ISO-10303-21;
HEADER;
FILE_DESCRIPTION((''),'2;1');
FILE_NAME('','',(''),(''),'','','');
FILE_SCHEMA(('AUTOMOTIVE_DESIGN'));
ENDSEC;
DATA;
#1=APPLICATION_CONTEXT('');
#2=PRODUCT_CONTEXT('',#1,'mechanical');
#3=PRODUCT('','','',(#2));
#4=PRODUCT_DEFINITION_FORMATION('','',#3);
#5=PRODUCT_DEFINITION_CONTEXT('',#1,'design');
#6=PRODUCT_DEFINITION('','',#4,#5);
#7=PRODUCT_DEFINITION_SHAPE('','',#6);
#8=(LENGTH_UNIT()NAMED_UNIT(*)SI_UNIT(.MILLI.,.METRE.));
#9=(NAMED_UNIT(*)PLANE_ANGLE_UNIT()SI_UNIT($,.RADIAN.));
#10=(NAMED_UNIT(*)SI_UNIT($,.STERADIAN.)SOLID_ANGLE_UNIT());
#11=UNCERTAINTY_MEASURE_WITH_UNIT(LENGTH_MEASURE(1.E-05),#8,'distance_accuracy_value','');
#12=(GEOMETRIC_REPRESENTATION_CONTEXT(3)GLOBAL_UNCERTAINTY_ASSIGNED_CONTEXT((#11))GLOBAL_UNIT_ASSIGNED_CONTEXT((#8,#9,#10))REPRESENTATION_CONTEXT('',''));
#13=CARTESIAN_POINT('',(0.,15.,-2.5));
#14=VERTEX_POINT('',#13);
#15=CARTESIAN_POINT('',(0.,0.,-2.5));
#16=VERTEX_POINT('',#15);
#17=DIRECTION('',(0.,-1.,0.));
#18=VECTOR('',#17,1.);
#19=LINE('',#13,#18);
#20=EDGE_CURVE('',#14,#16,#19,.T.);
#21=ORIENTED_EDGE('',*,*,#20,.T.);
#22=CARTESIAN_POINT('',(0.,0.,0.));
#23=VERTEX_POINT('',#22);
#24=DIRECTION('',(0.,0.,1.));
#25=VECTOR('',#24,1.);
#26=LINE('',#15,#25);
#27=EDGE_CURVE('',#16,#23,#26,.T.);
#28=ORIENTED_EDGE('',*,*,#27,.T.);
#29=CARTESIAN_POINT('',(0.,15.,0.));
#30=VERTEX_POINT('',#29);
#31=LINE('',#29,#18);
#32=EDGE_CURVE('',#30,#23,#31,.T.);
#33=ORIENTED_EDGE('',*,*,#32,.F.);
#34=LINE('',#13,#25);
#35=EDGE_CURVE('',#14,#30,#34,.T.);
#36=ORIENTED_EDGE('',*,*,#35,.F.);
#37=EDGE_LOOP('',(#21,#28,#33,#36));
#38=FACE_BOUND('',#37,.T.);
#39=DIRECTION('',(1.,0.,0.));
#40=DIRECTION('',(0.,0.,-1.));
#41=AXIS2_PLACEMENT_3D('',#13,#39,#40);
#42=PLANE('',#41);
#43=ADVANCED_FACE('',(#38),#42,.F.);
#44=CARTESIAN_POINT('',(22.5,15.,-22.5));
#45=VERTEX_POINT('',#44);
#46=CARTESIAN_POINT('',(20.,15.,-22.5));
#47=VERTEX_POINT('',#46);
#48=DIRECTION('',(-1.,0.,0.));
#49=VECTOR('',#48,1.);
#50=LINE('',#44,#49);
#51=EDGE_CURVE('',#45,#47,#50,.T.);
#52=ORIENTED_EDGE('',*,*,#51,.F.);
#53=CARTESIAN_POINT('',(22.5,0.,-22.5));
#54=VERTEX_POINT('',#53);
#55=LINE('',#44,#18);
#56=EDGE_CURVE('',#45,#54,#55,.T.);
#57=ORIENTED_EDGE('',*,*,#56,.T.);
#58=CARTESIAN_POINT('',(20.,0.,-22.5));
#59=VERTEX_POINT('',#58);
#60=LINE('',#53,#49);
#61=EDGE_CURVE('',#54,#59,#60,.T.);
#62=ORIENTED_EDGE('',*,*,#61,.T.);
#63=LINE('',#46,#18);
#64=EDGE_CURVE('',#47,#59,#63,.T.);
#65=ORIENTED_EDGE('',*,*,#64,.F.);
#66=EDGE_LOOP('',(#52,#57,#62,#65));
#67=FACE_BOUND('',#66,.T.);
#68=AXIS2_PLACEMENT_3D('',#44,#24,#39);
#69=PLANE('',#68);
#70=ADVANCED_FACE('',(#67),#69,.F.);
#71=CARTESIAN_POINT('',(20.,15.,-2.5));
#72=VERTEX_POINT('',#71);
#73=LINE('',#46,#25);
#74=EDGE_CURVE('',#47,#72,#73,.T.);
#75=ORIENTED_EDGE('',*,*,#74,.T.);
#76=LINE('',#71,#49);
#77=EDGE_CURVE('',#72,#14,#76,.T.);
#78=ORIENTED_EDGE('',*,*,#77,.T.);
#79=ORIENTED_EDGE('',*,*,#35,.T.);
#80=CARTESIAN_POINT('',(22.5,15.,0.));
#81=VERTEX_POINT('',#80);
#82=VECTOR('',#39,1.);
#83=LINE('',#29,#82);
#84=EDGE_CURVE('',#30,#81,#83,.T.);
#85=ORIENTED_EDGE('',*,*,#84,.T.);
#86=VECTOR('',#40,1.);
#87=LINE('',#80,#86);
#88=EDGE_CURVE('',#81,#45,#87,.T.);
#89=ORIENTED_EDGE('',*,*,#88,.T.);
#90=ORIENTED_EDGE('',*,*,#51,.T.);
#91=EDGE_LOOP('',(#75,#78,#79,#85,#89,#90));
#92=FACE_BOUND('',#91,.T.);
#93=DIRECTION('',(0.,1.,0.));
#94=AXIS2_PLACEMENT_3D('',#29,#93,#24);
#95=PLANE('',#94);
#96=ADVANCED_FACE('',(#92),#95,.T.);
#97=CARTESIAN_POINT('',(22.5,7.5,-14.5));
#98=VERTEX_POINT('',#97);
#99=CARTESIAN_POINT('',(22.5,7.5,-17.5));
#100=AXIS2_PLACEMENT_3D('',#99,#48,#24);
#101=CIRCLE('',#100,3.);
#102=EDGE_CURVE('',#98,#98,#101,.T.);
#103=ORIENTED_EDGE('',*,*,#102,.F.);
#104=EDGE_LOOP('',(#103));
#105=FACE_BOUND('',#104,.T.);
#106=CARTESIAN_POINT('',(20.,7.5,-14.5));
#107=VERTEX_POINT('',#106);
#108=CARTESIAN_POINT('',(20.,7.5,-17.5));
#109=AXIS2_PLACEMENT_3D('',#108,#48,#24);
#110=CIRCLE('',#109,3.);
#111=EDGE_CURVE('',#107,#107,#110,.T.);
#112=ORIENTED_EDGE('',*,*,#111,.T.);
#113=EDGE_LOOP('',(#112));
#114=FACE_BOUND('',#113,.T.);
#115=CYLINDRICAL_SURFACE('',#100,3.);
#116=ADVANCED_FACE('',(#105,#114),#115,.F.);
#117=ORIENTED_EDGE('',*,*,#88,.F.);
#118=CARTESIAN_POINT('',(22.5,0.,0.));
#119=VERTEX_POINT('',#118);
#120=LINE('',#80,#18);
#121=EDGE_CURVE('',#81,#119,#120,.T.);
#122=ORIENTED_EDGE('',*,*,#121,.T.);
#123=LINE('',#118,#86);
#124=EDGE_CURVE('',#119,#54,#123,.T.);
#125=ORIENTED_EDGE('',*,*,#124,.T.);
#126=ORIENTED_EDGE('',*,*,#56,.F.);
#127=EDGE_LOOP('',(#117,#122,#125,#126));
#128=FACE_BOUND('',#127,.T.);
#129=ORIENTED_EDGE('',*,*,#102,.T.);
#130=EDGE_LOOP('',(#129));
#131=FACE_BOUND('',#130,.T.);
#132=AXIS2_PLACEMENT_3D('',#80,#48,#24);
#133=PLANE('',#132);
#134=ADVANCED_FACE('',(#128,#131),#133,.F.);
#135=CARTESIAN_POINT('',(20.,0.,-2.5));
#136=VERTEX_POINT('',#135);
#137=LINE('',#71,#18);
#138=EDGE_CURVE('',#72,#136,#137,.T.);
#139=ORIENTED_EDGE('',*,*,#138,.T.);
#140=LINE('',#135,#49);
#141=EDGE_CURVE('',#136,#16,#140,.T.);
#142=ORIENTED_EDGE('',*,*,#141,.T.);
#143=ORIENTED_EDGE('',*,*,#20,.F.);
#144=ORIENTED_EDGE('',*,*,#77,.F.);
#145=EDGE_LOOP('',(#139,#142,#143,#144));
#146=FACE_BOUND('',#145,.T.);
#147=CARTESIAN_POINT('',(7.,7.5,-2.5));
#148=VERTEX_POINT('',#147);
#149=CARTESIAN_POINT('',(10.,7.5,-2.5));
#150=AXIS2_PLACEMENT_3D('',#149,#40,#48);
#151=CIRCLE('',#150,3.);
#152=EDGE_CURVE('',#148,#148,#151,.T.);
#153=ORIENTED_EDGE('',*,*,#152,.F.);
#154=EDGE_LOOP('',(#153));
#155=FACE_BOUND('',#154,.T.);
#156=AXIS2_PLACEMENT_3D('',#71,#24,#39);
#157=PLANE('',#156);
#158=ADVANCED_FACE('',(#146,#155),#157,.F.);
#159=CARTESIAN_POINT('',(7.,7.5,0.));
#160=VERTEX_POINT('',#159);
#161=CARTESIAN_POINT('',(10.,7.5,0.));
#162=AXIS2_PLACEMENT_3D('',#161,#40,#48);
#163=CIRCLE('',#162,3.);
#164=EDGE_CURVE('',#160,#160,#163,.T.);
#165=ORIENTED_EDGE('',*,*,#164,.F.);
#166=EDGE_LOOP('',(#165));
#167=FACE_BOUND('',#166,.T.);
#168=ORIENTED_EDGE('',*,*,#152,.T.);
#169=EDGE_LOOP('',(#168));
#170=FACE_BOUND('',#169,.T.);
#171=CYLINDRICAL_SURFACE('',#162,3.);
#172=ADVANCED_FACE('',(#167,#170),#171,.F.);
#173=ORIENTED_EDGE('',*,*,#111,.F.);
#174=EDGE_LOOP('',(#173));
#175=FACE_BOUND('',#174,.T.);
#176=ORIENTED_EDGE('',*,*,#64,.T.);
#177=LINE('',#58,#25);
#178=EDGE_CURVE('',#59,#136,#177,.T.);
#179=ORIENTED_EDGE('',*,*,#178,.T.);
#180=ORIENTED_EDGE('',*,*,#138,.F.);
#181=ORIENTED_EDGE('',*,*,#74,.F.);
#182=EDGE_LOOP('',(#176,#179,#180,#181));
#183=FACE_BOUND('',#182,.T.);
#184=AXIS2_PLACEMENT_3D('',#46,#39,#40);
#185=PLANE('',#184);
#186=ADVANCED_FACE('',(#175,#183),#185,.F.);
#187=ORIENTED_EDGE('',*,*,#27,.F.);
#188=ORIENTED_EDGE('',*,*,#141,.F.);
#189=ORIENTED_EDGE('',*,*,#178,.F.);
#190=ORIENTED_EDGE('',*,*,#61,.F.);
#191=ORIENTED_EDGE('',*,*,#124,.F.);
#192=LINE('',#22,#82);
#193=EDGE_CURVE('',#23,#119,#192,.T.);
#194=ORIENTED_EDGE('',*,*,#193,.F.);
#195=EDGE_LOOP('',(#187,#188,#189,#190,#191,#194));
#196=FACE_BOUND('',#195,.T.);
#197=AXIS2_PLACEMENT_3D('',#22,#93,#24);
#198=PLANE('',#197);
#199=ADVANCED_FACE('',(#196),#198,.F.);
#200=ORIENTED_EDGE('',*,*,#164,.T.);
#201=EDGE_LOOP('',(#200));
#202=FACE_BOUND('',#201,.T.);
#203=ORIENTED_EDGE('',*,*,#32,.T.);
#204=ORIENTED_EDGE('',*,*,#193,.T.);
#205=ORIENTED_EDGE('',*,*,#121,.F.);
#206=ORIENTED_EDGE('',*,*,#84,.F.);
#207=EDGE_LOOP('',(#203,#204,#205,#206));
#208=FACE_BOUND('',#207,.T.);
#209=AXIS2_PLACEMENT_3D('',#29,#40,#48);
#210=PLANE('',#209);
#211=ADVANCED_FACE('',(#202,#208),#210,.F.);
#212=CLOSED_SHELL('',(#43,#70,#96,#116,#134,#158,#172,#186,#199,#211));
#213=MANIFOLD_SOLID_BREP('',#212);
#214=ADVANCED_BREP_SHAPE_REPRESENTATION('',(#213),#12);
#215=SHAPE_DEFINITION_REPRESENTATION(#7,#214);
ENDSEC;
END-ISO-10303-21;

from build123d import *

# Parameters (mm, degrees)
BOSS_EXTRUDE2_DEPTH = 15
SKETCH4_R           = 3
CUT_EXTRUDE2_DEPTH  = 34.634060118
SKETCH7_R           = 3
CUT_EXTRUDE4_DEPTH  = 34.634060118


with BuildPart() as part:
    # Sketch3 → Boss-Extrude2 (new body)
    with BuildSketch(Plane(origin=(0, 0, 0), x_dir=(1, 0, 0), z_dir=(0, 1, 0))):
        Polygon((0, 0), (22.5, 0), (22.5, 22.5), (20, 22.5), (20, 2.5), (0, 2.5), align=None)
    extrude(amount=BOSS_EXTRUDE2_DEPTH)

    # Sketch4 → Cut-Extrude2 (cut, through all)
    with BuildSketch(Plane(origin=(0, 0, -2.5), x_dir=(-1, 0, 0), z_dir=(0, 0, -1))):
        with Locations((-10, 7.5)):
            Circle(SKETCH4_R)
    extrude(amount=-CUT_EXTRUDE2_DEPTH, mode=Mode.SUBTRACT)

    # Sketch7 → Cut-Extrude4 (cut, through all)
    with BuildSketch(Plane.ZY.offset(-20)):
        with Locations((-17.5, 7.5)):
            Circle(SKETCH7_R)
    extrude(amount=-CUT_EXTRUDE4_DEPTH, mode=Mode.SUBTRACT)


solid = part.part
